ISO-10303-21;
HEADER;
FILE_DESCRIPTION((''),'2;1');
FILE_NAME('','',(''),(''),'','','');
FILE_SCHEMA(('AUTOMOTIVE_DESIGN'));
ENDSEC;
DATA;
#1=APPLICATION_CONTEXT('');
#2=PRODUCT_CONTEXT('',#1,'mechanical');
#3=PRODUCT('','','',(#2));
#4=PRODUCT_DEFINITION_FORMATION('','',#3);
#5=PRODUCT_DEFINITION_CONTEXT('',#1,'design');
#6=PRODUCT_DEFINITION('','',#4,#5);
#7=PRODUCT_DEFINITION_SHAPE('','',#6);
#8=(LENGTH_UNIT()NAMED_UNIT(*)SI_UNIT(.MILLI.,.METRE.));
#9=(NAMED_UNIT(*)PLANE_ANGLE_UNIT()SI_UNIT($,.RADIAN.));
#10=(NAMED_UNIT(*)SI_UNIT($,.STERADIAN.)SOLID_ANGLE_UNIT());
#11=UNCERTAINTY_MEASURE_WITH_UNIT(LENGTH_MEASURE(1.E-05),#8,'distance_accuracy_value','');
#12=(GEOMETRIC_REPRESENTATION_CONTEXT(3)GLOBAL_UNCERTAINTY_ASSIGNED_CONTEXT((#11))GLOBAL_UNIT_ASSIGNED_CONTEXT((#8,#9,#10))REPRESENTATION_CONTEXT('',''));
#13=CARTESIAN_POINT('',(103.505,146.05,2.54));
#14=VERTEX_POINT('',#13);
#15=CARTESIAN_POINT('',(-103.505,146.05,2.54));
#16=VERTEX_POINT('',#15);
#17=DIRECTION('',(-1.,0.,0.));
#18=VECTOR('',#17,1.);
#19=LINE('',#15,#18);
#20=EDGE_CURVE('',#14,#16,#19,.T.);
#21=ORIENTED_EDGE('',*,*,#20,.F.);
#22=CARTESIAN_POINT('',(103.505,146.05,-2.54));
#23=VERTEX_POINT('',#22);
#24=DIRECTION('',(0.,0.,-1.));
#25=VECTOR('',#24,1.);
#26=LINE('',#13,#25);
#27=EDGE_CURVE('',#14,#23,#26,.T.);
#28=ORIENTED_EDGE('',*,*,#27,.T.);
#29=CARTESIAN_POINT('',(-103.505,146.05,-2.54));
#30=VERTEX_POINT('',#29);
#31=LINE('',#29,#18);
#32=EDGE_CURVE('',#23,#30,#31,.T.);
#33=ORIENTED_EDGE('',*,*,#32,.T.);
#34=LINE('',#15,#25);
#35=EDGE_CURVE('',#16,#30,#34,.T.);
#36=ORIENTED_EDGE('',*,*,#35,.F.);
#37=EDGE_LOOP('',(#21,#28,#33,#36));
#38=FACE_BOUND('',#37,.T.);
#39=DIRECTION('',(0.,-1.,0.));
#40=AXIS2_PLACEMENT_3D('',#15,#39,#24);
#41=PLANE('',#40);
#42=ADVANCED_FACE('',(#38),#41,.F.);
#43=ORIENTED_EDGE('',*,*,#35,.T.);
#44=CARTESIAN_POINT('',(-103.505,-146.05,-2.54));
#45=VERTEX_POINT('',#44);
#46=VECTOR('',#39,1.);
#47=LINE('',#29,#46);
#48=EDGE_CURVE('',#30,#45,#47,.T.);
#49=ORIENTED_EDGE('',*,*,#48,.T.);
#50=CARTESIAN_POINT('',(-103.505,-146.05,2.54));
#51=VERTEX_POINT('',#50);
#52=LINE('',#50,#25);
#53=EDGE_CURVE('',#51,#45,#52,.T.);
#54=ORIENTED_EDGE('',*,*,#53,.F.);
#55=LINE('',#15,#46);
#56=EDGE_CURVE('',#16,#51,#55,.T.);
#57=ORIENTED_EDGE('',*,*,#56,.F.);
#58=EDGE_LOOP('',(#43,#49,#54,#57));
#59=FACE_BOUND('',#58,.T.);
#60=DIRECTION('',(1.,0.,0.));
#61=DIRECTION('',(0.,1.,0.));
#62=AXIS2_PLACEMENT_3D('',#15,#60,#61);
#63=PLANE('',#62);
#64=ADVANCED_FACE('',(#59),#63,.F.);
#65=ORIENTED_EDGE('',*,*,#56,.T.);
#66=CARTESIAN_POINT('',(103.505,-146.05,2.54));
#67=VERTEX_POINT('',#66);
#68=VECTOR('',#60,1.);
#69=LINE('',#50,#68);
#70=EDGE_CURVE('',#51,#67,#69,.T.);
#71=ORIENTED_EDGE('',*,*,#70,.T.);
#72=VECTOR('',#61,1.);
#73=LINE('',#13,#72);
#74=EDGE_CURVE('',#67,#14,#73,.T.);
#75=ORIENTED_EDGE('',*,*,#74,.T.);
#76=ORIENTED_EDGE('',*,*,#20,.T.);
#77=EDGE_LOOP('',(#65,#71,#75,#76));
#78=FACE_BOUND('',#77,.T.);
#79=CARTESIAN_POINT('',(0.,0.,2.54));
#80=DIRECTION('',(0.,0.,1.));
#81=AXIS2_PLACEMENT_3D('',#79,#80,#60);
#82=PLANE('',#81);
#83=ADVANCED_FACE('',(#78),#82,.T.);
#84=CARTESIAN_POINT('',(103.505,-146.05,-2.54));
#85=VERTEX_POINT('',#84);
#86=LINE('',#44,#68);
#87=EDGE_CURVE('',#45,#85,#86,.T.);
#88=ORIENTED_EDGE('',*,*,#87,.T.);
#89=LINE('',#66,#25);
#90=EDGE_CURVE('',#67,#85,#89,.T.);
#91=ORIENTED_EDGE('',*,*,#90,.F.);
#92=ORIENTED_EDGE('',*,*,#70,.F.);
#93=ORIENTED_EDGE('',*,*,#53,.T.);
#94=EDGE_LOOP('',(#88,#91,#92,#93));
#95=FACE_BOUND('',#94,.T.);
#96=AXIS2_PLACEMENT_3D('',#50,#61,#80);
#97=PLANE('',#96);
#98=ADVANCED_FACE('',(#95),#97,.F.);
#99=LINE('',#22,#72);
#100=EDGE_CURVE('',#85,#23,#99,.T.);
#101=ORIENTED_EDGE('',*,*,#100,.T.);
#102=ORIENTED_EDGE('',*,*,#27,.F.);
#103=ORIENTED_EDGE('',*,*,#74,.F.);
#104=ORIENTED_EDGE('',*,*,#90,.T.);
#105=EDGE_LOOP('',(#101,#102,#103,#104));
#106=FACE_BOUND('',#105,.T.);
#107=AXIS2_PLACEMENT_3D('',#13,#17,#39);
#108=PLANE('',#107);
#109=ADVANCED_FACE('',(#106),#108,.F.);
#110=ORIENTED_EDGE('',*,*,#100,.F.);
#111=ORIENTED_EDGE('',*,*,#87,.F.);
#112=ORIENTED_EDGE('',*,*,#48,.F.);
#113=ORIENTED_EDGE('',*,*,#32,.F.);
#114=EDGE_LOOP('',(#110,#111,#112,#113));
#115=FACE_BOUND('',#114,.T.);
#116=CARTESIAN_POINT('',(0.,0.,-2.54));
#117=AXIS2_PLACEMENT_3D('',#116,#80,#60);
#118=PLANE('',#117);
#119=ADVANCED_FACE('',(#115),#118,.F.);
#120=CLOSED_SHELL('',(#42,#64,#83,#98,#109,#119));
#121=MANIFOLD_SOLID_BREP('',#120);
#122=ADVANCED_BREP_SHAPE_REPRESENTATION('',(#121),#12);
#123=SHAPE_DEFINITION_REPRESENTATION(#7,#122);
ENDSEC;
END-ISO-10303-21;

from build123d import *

# Parameters (mm, degrees)
SKETCH1_W           = 207.01
SKETCH1_H           = 292.1
BOSS_EXTRUDE1_DEPTH = 2.54


with BuildPart() as part:
    # Sketch1 → Boss-Extrude1 (new body, symmetric)
    with BuildSketch(Plane.XY):
        Rectangle(SKETCH1_W, SKETCH1_H)
    extrude(amount=BOSS_EXTRUDE1_DEPTH, both=True)


solid = part.part
